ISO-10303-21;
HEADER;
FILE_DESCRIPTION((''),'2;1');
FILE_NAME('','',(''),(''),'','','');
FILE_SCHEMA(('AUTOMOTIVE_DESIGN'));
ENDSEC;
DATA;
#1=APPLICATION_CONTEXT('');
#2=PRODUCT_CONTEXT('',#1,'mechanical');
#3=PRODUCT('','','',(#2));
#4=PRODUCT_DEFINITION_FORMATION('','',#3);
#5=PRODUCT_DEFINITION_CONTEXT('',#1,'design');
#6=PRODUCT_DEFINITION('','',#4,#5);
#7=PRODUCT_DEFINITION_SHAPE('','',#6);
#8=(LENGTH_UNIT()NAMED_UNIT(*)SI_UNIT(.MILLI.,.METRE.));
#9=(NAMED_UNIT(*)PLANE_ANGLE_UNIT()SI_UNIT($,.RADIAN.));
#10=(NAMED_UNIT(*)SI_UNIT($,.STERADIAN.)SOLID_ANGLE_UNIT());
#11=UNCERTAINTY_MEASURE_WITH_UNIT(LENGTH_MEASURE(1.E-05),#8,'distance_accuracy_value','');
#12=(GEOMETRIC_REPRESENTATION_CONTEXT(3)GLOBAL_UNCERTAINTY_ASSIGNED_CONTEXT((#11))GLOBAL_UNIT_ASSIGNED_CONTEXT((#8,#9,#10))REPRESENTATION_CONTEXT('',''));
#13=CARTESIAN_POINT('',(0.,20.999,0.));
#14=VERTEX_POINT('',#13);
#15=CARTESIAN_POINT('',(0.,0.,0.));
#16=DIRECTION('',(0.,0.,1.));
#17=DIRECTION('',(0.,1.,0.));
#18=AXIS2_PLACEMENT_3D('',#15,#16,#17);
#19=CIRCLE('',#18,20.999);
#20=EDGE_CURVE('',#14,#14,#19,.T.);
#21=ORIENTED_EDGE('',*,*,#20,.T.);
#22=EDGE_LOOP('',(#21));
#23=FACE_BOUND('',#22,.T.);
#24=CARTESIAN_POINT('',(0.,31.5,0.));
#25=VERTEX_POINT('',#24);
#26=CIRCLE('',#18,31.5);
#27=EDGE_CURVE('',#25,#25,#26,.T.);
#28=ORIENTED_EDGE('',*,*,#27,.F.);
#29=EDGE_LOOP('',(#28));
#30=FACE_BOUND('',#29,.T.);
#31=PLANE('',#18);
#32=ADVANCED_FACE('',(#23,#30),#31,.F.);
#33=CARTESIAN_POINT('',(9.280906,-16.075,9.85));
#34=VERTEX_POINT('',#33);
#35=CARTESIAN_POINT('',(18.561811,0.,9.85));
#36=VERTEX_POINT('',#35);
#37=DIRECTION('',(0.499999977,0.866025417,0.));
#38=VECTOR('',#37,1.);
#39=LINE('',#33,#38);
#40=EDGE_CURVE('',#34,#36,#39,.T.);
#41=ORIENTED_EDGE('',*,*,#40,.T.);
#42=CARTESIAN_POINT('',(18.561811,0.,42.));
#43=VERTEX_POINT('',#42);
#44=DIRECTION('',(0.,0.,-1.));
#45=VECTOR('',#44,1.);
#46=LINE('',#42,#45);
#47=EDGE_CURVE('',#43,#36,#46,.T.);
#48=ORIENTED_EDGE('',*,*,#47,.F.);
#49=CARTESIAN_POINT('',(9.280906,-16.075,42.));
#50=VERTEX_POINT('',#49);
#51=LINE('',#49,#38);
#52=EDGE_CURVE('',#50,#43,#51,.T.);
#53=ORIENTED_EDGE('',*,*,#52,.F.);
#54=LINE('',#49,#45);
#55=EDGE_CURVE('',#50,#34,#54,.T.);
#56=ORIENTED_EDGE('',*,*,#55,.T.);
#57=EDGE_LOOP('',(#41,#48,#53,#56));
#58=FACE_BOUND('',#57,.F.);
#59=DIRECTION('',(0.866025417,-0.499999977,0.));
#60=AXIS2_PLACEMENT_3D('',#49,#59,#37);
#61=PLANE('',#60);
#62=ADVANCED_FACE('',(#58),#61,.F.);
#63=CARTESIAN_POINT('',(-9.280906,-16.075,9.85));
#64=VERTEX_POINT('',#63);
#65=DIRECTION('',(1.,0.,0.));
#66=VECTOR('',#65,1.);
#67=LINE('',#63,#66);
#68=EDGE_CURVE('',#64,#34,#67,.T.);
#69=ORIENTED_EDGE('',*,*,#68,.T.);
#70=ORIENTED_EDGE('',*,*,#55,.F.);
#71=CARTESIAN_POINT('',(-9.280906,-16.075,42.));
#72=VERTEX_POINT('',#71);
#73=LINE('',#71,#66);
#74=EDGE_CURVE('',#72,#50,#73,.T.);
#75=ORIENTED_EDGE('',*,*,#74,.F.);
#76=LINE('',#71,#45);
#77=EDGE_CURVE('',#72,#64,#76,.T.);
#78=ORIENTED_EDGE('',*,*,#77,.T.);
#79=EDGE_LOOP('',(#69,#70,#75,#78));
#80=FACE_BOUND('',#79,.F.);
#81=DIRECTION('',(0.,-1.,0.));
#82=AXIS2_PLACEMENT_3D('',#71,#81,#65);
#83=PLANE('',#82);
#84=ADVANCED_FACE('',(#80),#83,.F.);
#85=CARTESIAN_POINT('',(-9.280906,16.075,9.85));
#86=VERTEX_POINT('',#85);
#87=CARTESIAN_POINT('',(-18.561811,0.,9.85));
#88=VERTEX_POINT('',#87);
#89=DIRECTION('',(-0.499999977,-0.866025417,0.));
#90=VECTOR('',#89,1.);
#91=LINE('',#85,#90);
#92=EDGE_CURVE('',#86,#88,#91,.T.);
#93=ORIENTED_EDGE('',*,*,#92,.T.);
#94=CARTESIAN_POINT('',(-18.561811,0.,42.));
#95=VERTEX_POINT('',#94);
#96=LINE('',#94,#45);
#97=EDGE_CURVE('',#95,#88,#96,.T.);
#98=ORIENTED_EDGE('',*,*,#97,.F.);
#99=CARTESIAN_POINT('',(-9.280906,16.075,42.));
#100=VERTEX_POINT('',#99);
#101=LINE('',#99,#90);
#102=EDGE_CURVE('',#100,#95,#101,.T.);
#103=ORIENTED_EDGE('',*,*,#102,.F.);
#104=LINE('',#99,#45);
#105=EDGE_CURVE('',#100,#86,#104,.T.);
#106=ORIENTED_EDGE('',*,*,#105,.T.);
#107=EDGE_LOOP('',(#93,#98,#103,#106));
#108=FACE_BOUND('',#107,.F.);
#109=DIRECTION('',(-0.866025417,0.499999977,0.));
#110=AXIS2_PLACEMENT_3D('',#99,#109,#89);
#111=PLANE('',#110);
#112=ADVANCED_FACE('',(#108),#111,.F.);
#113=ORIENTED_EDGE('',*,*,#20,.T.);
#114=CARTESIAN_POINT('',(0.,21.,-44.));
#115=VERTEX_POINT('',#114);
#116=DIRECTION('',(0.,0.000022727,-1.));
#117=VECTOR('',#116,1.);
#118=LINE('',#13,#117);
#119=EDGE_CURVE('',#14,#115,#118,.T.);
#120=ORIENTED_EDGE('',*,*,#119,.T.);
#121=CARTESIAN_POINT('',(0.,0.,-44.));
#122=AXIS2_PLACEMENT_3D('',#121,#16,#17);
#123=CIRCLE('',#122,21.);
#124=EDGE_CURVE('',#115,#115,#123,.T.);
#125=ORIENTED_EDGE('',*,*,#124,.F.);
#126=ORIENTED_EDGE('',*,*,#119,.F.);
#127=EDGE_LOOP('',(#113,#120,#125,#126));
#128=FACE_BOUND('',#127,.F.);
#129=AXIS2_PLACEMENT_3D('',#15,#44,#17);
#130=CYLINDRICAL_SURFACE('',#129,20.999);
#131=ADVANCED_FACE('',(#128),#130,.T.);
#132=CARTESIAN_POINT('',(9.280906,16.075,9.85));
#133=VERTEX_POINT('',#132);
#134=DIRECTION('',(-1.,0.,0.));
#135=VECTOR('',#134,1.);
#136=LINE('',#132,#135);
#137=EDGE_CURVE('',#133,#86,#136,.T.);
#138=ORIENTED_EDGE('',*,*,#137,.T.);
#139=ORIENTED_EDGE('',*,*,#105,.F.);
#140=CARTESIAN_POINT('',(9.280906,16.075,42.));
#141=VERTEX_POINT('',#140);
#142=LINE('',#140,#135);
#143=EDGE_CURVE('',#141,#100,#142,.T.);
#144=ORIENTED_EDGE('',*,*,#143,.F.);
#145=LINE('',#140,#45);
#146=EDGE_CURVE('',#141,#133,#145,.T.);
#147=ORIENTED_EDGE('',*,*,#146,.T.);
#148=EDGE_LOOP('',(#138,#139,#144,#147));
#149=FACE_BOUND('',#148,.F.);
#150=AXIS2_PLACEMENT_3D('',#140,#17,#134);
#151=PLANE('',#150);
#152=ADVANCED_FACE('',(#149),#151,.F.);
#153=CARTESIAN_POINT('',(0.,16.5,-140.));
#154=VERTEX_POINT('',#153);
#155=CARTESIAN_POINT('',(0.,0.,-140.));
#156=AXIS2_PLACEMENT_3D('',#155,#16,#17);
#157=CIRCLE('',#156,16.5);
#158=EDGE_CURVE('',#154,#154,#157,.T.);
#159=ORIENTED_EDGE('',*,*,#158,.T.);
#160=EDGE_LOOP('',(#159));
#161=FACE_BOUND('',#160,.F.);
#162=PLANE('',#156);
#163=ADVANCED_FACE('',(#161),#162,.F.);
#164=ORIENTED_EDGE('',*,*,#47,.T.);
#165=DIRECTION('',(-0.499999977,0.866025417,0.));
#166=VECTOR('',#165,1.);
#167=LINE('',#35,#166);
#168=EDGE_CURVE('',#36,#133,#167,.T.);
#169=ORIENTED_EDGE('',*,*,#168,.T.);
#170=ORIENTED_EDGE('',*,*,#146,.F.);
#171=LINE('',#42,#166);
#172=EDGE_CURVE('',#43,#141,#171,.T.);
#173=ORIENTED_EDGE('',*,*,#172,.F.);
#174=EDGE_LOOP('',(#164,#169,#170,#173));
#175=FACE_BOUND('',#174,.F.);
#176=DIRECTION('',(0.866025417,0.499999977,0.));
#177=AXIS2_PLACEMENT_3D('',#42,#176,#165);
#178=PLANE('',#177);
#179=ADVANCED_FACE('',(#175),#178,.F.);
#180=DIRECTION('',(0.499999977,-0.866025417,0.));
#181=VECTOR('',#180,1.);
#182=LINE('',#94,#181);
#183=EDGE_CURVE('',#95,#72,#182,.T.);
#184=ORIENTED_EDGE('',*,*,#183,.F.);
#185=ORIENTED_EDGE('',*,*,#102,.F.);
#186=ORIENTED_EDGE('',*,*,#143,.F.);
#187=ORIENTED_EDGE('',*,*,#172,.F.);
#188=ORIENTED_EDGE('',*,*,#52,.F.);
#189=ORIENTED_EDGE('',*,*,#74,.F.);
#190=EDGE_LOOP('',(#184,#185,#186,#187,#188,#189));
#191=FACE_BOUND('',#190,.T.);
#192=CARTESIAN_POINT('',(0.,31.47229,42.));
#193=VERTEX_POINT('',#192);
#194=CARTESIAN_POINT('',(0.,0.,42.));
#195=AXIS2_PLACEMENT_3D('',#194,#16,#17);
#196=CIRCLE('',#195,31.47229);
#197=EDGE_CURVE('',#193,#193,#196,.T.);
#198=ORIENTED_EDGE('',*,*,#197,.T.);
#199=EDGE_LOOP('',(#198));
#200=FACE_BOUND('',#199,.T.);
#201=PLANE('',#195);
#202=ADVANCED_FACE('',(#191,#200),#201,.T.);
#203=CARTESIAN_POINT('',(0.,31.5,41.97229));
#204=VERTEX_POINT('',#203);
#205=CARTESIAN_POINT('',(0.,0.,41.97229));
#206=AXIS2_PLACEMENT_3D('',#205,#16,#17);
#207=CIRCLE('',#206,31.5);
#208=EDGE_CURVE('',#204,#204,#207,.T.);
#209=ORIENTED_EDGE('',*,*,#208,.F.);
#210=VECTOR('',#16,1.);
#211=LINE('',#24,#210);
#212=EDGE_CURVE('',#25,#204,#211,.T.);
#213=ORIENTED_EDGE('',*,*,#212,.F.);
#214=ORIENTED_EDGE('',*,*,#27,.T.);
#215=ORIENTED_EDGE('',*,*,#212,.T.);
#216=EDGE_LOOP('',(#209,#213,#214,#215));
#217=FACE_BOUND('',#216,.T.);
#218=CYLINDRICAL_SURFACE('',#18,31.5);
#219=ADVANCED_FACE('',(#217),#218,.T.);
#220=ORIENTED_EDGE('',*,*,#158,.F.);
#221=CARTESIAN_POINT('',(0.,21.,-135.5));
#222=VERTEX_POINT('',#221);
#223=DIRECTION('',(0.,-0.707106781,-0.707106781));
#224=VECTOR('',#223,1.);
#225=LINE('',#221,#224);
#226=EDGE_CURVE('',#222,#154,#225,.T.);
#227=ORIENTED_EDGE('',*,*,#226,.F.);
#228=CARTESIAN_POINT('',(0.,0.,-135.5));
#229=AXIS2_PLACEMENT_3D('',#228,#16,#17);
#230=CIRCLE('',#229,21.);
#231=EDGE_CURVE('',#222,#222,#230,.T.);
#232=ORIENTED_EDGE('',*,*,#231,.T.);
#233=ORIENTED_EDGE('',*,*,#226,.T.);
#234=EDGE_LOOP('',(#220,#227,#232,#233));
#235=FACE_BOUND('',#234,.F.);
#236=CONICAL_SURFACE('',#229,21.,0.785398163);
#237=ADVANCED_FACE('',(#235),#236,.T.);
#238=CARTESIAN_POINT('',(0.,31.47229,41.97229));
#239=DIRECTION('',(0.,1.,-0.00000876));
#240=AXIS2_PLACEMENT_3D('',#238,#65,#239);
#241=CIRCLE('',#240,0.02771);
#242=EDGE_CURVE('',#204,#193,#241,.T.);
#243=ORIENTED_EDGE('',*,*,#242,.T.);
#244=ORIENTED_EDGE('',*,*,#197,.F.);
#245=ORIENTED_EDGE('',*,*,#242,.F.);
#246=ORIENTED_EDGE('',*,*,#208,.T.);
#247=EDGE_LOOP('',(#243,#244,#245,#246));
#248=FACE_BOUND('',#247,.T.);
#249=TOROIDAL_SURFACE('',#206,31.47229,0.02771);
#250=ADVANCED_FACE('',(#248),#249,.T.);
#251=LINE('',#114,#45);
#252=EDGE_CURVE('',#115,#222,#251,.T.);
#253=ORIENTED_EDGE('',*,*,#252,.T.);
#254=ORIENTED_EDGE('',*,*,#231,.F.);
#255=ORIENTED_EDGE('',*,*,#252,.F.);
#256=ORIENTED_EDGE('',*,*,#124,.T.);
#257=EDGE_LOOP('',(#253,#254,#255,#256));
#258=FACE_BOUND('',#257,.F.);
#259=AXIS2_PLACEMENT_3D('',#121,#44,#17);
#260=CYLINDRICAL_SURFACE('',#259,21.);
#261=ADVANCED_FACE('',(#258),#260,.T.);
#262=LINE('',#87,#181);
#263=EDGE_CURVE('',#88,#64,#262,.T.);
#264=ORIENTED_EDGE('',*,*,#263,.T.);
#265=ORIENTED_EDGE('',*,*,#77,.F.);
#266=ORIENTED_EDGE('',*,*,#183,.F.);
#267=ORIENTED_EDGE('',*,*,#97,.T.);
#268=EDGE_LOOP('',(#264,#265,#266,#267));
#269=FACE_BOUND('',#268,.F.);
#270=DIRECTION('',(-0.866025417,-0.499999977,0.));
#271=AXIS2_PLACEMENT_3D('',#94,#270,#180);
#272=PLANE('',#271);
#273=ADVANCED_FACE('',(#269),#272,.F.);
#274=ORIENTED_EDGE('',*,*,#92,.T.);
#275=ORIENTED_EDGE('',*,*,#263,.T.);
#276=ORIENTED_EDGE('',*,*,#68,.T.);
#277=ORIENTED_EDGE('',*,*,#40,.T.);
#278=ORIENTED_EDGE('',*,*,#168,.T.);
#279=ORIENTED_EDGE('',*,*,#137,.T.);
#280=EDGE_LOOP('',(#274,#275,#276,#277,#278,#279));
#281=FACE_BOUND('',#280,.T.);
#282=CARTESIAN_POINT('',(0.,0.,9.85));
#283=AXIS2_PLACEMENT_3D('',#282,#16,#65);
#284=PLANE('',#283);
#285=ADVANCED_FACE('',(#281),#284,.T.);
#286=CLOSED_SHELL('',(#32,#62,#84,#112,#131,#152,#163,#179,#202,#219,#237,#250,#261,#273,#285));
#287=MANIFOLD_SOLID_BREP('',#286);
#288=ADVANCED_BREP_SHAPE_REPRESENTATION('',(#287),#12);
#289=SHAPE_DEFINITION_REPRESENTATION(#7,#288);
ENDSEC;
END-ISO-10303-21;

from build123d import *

# Parameters (mm, degrees)
POCKET_DEPTH = 32.15


with BuildPart() as part:
    # Sketch → Revolve (revolve)
    with BuildSketch(Plane.YZ):
        with BuildLine():
            Line((20.999, 0), (31.5, 0))
            Line((31.5, 0), (31.5, 41.97229))
            ThreePointArc((31.5, 41.97229), (31.491884, 41.991884), (31.47229, 42))
            Line((31.47229, 42), (0, 42))
            Line((0, -140), (0, 42))
            Line((16.5, -140), (0, -140))
            Line((21, -135.5), (16.5, -140))
            Line((21, -44), (21, -135.5))
            Line((20.999, 0), (21, -44))
        make_face()
    revolve(axis=Axis((0, 0, 0), (0, 0, 1)))

    # Sketch001 → Pocket (cut)
    with BuildSketch(Plane.XY.offset(42)):
        Polygon((18.561811, 0), (9.280906, 16.075), (-9.280906, 16.075), (-18.561811, 0), (-9.280906, -16.075), (9.280906, -16.075), align=None)
    extrude(amount=-POCKET_DEPTH, mode=Mode.SUBTRACT)


solid = part.part
